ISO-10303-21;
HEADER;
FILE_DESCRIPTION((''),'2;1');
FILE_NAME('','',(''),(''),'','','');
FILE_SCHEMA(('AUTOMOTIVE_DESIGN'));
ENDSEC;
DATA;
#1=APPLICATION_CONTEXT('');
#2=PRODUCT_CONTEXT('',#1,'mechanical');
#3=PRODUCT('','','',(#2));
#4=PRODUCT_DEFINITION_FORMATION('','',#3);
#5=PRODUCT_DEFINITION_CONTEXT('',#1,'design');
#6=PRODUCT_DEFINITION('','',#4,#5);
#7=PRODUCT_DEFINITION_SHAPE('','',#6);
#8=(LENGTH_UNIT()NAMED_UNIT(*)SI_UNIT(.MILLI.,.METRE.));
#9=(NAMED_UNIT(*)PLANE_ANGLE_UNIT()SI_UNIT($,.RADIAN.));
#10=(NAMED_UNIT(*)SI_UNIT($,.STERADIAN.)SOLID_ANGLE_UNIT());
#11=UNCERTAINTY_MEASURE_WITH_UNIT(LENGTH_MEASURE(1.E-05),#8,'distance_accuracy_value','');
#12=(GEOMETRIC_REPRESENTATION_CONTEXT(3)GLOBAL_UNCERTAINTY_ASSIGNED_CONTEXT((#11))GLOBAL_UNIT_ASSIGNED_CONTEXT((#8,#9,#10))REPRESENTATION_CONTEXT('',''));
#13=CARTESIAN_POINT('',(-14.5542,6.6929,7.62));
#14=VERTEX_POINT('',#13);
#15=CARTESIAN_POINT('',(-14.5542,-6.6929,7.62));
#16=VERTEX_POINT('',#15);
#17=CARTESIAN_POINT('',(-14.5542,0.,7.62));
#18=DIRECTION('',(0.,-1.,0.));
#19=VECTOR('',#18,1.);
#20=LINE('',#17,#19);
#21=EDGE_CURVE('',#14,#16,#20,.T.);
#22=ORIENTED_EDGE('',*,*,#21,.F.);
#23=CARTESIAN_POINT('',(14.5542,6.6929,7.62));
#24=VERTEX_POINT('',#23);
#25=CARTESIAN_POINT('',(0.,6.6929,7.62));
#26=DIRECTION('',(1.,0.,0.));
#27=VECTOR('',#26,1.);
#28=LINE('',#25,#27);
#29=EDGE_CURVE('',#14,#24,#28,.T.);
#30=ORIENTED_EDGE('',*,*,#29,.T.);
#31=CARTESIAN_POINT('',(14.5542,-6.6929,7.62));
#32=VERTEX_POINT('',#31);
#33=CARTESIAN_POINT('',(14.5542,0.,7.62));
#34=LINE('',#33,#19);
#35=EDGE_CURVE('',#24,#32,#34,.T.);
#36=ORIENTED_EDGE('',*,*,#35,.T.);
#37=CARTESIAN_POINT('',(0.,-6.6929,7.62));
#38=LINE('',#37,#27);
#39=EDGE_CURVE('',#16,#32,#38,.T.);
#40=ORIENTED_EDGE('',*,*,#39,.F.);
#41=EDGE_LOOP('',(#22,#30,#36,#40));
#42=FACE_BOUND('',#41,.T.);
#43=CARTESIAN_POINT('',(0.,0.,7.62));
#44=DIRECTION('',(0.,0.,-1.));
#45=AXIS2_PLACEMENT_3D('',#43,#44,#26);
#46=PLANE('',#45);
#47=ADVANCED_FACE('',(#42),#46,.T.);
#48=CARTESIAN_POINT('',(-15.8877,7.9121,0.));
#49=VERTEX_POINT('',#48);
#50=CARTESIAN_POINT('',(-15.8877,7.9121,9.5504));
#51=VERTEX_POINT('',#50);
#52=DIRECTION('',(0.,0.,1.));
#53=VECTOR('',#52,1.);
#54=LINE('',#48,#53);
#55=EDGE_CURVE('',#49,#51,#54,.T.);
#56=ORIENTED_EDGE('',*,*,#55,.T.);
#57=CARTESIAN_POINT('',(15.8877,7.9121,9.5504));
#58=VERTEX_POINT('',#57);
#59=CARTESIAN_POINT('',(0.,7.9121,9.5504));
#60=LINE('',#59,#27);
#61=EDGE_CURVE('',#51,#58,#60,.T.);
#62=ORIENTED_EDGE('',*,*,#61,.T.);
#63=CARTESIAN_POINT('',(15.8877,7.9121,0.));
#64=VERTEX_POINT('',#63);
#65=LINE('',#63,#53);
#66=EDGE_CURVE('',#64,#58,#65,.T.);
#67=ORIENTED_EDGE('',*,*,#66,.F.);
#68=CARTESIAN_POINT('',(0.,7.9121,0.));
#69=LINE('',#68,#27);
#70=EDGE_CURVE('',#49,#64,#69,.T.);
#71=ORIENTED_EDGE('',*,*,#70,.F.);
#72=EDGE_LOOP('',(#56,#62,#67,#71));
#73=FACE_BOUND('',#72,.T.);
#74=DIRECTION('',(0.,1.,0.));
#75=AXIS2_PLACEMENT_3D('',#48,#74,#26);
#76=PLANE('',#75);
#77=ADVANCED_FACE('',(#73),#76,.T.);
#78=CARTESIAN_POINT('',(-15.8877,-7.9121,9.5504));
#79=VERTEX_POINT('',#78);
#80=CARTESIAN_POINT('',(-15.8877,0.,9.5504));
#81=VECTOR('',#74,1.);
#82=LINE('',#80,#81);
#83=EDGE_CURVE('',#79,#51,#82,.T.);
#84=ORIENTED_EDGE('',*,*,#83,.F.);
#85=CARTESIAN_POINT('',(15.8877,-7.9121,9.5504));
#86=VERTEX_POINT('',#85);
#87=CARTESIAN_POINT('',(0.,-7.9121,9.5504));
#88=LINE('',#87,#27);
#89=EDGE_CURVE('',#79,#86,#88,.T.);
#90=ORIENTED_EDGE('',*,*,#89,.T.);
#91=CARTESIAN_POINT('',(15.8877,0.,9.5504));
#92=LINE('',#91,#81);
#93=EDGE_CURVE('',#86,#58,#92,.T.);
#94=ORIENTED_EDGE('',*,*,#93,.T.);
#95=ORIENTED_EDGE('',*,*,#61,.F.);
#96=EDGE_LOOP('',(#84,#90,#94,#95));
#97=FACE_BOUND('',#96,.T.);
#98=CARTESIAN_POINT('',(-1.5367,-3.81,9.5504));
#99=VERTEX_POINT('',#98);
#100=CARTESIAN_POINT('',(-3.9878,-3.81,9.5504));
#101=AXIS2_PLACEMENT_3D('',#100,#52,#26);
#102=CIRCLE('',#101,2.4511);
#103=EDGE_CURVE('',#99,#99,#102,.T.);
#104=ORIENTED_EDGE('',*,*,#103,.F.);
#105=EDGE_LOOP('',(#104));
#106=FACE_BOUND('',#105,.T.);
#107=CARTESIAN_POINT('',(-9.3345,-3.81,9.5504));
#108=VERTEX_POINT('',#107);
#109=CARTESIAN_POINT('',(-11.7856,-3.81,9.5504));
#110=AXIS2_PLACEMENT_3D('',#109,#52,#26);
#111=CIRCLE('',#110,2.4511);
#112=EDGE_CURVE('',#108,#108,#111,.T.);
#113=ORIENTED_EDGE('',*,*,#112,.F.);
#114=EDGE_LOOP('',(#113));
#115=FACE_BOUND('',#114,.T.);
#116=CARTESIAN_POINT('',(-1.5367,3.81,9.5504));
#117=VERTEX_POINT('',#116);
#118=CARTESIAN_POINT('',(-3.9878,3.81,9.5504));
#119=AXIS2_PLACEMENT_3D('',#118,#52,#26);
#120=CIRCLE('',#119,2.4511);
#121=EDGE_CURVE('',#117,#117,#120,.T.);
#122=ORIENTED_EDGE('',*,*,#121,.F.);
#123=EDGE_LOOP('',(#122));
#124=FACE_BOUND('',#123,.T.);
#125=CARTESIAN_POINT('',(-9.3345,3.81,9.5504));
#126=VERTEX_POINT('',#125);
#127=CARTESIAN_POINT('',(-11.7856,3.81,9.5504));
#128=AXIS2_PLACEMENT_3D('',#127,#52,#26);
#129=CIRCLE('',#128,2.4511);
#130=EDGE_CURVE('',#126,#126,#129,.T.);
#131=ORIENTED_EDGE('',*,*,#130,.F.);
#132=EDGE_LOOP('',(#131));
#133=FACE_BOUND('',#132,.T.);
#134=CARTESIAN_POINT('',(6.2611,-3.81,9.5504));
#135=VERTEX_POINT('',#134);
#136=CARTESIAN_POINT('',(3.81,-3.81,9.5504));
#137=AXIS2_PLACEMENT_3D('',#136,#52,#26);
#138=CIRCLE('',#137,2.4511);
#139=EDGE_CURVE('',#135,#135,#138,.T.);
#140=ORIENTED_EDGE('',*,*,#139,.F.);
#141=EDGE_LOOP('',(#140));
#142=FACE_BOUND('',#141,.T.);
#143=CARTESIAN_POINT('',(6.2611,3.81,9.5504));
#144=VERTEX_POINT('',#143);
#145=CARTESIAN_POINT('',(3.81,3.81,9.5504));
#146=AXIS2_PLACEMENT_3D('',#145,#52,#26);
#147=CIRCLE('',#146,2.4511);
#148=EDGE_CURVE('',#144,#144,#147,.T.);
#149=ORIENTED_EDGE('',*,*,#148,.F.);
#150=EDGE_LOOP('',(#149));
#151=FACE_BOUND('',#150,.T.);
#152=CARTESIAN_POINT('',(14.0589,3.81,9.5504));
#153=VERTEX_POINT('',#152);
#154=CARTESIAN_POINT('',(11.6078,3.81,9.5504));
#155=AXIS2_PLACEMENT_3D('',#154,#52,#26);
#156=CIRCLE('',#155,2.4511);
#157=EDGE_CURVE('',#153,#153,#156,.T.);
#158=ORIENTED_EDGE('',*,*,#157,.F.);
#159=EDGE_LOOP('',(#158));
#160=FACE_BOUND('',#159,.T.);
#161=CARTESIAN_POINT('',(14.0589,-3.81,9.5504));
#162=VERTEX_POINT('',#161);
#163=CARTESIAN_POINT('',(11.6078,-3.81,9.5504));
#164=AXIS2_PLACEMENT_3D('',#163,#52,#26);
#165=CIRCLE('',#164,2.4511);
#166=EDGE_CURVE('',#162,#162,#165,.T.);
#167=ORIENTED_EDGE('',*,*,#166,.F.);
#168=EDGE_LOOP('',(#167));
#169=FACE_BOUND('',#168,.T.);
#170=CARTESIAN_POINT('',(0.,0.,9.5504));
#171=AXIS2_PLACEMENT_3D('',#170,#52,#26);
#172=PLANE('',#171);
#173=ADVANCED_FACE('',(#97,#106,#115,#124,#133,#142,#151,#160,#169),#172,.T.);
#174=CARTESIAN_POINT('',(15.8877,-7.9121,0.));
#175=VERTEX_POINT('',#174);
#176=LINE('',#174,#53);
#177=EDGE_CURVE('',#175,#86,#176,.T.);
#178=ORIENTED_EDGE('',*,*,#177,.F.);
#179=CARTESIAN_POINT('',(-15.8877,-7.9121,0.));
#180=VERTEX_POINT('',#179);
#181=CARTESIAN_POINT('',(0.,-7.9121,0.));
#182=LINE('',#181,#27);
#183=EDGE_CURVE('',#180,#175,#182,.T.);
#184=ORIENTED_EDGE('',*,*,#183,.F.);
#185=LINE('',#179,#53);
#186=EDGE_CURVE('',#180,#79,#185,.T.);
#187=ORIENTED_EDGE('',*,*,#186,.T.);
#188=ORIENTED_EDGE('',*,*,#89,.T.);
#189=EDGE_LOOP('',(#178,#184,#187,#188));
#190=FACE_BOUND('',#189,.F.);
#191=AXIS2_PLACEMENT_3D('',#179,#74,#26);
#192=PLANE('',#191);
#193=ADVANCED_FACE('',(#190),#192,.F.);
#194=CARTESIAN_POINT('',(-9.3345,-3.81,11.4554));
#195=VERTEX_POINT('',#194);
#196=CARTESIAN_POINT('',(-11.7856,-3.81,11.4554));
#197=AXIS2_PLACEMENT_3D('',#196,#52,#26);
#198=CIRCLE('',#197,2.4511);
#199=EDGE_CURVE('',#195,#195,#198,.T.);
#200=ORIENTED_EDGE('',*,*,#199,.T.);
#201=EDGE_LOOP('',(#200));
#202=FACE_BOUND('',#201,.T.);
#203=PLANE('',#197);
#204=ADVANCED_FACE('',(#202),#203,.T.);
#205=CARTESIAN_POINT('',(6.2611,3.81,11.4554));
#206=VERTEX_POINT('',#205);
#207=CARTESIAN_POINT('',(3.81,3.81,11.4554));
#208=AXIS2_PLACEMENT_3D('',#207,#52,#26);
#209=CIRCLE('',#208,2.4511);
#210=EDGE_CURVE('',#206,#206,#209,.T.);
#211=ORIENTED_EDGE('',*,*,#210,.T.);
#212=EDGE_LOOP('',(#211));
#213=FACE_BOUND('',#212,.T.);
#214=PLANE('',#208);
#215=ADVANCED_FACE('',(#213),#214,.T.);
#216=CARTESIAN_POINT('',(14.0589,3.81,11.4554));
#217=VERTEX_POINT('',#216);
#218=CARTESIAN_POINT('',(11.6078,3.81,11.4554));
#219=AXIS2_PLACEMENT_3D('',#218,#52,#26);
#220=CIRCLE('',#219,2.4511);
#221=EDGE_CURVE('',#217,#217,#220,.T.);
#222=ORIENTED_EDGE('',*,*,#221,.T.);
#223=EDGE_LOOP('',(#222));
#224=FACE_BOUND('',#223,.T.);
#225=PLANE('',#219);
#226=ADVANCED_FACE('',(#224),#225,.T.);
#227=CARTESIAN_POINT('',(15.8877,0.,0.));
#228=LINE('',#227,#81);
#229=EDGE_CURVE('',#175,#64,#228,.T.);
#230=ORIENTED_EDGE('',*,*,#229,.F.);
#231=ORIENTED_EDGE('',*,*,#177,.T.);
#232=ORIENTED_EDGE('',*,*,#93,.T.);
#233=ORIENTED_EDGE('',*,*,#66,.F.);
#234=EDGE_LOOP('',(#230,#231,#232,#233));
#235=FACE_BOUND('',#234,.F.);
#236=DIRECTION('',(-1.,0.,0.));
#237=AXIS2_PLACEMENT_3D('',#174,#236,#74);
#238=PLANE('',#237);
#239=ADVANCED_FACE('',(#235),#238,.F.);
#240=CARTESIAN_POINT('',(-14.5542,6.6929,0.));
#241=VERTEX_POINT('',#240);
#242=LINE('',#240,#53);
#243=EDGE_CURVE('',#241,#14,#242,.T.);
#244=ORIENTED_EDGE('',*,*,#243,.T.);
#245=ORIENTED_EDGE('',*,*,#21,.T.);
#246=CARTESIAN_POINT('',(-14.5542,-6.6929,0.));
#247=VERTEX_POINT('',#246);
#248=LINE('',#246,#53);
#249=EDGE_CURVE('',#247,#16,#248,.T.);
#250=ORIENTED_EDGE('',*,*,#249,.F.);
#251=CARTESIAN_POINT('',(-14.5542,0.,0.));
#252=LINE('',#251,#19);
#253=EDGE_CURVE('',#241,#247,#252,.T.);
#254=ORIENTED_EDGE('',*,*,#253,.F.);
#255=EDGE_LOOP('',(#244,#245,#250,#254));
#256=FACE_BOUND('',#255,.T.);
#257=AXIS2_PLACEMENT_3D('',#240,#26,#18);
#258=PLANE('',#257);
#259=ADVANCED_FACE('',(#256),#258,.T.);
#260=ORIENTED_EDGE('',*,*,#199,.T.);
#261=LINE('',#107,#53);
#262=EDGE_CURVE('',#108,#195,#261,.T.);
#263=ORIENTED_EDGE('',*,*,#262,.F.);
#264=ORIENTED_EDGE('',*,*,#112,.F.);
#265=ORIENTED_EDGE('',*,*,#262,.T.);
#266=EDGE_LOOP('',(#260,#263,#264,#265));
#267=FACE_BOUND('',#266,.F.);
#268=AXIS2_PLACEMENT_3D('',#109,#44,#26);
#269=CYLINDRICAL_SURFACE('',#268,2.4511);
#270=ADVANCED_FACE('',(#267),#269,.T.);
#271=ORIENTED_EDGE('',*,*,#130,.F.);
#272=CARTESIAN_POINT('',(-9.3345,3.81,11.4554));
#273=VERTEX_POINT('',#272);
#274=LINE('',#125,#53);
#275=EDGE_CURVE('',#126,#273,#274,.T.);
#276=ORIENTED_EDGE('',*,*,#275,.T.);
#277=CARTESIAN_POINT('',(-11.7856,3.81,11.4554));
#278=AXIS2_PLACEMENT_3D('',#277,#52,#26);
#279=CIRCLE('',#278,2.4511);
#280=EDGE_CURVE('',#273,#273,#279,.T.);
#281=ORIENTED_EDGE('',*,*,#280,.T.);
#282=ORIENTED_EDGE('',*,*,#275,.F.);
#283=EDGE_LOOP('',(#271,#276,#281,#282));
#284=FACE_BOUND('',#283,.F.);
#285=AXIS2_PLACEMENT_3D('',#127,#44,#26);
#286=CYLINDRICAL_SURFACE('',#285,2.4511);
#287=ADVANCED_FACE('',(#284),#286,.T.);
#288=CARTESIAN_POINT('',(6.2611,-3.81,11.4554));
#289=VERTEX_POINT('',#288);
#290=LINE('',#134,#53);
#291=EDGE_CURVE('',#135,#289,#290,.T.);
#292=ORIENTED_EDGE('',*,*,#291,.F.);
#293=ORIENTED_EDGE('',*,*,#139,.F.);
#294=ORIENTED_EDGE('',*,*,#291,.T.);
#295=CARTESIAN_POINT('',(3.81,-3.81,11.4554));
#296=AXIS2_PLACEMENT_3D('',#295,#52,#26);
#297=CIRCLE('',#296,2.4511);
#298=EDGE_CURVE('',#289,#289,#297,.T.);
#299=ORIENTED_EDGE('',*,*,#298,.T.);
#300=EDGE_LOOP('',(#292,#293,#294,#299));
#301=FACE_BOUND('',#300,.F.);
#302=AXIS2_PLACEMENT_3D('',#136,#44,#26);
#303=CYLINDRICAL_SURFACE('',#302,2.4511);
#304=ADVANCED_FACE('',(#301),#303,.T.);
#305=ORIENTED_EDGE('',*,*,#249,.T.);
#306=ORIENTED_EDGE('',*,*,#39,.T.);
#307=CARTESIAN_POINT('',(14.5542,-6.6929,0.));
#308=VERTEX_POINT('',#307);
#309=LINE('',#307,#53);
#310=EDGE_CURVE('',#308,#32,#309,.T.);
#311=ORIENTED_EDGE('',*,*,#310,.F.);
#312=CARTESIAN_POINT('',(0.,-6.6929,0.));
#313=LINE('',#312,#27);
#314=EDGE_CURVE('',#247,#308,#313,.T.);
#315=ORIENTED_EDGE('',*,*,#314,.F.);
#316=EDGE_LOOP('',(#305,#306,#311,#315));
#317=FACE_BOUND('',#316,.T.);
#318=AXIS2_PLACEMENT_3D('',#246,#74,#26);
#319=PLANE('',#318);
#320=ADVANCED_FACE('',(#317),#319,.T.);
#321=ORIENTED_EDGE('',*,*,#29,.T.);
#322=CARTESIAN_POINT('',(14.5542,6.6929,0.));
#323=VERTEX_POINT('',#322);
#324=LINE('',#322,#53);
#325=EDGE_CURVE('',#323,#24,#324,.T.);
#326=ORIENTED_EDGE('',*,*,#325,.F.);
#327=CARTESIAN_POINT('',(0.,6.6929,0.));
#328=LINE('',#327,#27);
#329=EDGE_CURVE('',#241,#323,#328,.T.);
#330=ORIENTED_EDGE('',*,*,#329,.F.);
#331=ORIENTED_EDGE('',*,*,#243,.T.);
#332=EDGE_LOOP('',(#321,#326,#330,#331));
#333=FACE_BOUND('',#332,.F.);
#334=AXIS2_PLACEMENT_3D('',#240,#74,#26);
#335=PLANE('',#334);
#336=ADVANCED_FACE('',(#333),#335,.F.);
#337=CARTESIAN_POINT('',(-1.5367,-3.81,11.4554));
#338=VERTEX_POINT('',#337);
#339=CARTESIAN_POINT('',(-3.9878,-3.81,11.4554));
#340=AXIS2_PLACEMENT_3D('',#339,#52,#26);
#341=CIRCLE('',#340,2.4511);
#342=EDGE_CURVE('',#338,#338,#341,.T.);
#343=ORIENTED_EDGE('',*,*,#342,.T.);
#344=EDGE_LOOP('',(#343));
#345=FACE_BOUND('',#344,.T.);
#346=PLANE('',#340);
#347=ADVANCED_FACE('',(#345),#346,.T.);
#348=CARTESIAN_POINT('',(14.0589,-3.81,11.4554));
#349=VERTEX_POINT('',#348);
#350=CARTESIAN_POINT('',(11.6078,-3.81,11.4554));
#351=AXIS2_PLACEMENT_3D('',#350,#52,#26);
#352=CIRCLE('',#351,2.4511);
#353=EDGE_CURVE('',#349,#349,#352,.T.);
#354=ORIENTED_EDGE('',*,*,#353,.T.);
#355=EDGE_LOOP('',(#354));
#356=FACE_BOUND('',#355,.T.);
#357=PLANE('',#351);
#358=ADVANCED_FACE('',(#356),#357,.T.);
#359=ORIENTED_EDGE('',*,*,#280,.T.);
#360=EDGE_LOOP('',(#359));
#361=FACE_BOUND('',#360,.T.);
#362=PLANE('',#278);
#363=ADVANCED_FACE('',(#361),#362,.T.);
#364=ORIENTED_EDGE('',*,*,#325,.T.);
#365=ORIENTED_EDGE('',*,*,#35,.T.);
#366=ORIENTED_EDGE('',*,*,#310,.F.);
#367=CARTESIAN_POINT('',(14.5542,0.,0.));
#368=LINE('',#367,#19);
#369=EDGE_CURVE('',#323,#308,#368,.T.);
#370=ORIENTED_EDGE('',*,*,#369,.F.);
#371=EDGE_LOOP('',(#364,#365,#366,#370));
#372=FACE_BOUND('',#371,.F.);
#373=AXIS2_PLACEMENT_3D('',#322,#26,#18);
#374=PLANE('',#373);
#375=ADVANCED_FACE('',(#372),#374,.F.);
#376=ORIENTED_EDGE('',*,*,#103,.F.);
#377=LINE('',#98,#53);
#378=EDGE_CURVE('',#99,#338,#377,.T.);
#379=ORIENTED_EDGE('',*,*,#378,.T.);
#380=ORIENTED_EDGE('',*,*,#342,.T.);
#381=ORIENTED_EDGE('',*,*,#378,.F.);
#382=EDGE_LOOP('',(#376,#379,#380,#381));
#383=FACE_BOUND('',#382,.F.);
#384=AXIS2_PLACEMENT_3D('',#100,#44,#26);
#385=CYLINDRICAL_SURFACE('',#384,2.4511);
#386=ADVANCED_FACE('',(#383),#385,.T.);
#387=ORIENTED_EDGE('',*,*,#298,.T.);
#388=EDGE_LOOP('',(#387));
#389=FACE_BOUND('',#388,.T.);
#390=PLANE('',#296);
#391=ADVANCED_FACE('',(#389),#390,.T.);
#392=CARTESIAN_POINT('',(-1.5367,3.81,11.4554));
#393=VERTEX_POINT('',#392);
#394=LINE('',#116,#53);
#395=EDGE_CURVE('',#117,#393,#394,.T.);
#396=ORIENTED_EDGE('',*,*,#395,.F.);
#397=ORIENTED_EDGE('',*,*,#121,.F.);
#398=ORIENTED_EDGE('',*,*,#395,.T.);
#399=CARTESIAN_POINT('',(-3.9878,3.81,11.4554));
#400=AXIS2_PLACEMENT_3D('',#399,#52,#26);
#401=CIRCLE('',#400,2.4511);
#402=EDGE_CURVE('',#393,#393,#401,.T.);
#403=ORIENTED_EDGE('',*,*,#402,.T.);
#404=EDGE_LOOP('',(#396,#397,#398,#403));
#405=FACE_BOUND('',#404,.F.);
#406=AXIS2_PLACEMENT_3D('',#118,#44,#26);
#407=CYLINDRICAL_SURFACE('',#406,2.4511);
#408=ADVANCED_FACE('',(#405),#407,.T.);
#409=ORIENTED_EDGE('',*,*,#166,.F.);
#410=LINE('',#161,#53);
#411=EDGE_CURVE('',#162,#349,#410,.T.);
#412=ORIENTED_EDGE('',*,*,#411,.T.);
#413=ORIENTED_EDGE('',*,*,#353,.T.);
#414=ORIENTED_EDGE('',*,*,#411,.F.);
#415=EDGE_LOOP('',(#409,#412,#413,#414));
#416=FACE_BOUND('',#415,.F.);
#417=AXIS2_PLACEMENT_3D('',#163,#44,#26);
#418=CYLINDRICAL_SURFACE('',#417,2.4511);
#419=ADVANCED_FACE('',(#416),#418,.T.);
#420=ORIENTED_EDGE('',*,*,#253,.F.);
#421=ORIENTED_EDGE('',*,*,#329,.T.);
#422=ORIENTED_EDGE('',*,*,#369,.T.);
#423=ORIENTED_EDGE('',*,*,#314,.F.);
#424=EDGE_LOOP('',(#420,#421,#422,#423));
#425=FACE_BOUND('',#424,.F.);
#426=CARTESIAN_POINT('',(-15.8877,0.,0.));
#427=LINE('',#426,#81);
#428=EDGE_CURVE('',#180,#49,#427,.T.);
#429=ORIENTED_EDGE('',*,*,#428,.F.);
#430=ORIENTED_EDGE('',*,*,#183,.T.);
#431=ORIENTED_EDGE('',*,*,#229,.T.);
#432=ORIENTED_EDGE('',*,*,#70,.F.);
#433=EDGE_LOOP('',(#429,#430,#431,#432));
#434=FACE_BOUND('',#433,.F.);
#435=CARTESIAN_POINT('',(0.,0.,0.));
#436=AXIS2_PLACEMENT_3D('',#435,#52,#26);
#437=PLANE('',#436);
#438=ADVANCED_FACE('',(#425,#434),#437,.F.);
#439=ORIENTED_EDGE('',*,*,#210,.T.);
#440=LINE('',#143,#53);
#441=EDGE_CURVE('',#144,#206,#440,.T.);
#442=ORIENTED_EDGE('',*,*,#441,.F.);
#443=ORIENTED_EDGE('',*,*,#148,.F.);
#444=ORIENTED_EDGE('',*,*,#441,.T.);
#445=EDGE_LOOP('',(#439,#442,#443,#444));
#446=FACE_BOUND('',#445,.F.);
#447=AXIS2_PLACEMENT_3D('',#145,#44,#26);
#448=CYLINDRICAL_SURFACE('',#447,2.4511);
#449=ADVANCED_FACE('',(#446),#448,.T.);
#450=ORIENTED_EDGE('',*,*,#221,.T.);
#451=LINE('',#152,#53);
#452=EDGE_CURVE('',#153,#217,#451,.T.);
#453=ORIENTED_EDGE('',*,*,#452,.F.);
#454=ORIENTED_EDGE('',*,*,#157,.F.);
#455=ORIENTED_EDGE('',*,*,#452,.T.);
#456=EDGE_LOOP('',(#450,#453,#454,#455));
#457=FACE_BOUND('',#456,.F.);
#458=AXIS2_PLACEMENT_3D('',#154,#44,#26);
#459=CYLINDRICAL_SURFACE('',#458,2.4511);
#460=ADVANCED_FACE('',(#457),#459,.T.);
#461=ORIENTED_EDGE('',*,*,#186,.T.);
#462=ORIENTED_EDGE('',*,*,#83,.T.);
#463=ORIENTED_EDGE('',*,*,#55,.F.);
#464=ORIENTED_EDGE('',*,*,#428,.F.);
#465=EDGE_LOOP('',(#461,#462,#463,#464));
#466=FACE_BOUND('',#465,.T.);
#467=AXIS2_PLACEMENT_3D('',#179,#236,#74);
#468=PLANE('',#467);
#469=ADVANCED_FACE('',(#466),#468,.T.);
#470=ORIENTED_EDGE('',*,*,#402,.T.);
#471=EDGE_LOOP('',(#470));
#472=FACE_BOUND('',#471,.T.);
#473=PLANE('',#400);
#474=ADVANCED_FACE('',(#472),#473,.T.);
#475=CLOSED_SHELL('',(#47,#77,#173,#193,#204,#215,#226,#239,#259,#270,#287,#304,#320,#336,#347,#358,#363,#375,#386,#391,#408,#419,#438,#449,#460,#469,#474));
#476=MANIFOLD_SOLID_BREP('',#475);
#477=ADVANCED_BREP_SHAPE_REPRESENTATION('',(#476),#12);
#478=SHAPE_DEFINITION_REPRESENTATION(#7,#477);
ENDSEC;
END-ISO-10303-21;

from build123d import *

# Parameters (mm, degrees)
F0_W      = 31.7754
F0_H      = 15.8242
F1_DEPTH  = 9.5504
F2_R      = 2.4511
F4_DEPTH  = 1.905
F3_R      = 2.4511
F5_DEPTH  = 1.905
F6_R      = 2.4511
F8_DEPTH  = 1.905
F7_R      = 2.4511
F9_DEPTH  = 1.905
F10_R     = 2.4511
F11_DEPTH = 1.905
F12_R     = 2.4511
F13_DEPTH = 1.905
F14_W     = 29.1084
F14_H     = 13.3858
F15_DEPTH = 7.62


with BuildPart() as f1:
    # F0 (on Top) → F1 (new body)
    with BuildSketch(Plane.XY):
        Rectangle(F0_W, F0_H)
    extrude(amount=F1_DEPTH)

    # F2 (on face) → F4 (join)
    with BuildSketch(Plane.XY.offset(9.5504)):
        with Locations((-11.7856, 3.81)):
            Circle(F2_R)
    extrude(amount=F4_DEPTH)

    # F3 (on face) → F5 (join)
    with BuildSketch(Plane.XY.offset(9.5504)):
        with Locations((-11.7856, -3.81)):
            Circle(F3_R)
    extrude(amount=F5_DEPTH)

    # F6 (on face) → F8 (join)
    with BuildSketch(Plane.XY.offset(9.5504)):
        with Locations((-3.9878, 3.81)):
            Circle(F6_R)
    extrude(amount=F8_DEPTH)

    # F7 (on face) → F9 (join)
    with BuildSketch(Plane.XY.offset(9.5504)):
        with Locations((-3.9878, -3.81)):
            Circle(F7_R)
    extrude(amount=F9_DEPTH)

    # F10 (on face) → F11 (join)
    with BuildSketch(Plane.XY.offset(9.5504)):
        with Locations((3.81, 3.81)):
            Circle(F10_R)
        with Locations((3.81, -3.81)):
            Circle(F10_R)
    extrude(amount=F11_DEPTH)

    # F12 (on face) → F13 (join)
    with BuildSketch(Plane.XY.offset(9.5504)):
        with Locations((11.6078, 3.81)):
            Circle(F12_R)
        with Locations((11.6078, -3.81)):
            Circle(F12_R)
    extrude(amount=F13_DEPTH)

    # F14 (on face) → F15 (cut)
    with BuildSketch(Plane(origin=(0, 0, 0), x_dir=(1, 0, 0), z_dir=(0, 0, -1))):
        Rectangle(F14_W, F14_H)
    extrude(amount=-F15_DEPTH, mode=Mode.SUBTRACT)


solid = f1.part
